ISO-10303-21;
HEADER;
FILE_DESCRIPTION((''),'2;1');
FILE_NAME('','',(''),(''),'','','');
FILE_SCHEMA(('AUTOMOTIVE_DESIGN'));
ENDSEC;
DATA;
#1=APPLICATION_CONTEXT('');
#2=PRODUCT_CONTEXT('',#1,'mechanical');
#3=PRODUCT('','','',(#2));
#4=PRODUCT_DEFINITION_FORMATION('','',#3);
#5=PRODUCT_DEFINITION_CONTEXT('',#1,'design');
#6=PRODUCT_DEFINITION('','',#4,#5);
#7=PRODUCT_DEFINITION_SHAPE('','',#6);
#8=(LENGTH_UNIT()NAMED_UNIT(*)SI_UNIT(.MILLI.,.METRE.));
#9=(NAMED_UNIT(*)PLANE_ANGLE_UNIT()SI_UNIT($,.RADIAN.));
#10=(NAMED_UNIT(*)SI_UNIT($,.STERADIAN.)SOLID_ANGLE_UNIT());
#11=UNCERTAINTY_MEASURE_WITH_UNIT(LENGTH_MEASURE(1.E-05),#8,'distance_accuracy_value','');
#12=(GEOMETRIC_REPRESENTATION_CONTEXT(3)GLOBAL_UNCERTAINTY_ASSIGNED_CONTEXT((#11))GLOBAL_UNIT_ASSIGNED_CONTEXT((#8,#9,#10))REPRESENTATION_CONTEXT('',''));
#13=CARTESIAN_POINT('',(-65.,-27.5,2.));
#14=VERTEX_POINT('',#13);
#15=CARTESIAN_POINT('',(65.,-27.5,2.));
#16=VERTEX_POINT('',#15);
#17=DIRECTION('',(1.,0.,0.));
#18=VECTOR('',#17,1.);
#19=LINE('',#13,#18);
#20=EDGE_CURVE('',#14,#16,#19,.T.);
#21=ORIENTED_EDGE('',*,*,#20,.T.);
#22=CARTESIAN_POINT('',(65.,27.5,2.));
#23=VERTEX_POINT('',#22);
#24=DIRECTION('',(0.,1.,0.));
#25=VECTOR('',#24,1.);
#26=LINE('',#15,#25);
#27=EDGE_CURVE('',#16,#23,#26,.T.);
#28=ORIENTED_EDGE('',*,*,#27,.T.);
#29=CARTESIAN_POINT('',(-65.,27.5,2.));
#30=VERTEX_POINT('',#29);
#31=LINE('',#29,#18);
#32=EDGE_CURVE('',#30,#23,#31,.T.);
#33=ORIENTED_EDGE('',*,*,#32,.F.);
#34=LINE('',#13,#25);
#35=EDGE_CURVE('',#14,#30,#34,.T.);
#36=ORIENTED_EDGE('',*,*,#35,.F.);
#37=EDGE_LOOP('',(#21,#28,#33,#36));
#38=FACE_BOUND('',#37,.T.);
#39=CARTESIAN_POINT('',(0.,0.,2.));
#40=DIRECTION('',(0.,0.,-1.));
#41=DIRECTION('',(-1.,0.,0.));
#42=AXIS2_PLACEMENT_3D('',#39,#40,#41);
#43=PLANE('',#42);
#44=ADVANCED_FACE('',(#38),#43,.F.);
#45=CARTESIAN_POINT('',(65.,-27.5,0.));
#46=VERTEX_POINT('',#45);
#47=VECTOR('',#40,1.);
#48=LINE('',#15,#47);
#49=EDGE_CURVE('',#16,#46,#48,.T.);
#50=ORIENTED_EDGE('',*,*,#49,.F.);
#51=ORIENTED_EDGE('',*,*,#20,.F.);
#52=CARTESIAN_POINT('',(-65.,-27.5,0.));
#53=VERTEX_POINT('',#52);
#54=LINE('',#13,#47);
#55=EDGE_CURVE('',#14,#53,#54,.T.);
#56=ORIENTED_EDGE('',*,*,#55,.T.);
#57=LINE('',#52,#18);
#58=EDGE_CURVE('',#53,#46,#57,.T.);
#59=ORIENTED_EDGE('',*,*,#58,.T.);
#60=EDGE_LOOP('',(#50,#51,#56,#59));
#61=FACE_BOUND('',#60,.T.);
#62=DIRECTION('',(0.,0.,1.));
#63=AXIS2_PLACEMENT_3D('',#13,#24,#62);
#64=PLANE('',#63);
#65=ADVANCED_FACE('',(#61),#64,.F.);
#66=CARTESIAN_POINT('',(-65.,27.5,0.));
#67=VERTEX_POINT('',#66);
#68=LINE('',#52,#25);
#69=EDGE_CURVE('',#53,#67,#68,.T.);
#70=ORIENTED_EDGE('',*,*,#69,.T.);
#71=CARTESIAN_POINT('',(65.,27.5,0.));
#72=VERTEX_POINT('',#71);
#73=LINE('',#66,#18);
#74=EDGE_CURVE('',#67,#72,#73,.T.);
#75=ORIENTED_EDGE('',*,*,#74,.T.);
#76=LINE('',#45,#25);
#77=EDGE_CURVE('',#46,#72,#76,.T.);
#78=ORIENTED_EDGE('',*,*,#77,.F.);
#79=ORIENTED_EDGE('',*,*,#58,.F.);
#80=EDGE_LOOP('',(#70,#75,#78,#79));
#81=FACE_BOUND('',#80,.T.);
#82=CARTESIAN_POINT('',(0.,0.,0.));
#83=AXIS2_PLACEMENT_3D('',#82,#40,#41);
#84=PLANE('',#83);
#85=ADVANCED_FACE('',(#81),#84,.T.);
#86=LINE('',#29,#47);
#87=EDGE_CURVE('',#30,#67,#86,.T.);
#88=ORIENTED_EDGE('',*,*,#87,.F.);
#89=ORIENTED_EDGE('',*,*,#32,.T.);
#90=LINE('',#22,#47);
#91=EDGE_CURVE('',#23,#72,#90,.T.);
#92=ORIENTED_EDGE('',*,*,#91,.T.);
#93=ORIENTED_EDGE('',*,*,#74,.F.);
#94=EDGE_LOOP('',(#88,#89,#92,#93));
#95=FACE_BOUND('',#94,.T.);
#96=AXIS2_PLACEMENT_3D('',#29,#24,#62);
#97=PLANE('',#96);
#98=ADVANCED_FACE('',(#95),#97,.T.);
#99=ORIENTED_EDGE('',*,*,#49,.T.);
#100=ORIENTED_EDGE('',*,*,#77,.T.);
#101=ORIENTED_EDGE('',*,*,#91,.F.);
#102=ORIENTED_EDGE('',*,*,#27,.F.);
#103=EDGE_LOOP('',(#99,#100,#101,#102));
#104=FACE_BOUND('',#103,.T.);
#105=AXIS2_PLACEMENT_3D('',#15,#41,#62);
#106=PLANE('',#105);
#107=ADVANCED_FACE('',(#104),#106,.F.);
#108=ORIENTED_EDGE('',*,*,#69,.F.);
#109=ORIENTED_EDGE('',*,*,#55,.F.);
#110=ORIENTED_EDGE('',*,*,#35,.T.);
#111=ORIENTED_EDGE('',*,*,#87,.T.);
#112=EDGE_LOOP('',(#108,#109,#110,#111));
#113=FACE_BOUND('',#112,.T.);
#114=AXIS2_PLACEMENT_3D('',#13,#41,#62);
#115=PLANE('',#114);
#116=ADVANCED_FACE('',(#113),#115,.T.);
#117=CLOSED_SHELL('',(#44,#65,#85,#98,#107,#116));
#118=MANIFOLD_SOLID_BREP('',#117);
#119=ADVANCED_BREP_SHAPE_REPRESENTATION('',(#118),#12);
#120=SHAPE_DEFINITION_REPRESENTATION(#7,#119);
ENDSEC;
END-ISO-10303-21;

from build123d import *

# Parameters (mm, degrees)
ESQUISSE1_W        = 130
ESQUISSE1_H        = 55
BOSS_EXTRU_1_DEPTH = 2


with BuildPart() as part:
    # Esquisse1 → Boss.-Extru.1 (new body)
    with BuildSketch(Plane.XY):
        Rectangle(ESQUISSE1_W, ESQUISSE1_H)
    extrude(amount=BOSS_EXTRU_1_DEPTH)


solid = part.part
